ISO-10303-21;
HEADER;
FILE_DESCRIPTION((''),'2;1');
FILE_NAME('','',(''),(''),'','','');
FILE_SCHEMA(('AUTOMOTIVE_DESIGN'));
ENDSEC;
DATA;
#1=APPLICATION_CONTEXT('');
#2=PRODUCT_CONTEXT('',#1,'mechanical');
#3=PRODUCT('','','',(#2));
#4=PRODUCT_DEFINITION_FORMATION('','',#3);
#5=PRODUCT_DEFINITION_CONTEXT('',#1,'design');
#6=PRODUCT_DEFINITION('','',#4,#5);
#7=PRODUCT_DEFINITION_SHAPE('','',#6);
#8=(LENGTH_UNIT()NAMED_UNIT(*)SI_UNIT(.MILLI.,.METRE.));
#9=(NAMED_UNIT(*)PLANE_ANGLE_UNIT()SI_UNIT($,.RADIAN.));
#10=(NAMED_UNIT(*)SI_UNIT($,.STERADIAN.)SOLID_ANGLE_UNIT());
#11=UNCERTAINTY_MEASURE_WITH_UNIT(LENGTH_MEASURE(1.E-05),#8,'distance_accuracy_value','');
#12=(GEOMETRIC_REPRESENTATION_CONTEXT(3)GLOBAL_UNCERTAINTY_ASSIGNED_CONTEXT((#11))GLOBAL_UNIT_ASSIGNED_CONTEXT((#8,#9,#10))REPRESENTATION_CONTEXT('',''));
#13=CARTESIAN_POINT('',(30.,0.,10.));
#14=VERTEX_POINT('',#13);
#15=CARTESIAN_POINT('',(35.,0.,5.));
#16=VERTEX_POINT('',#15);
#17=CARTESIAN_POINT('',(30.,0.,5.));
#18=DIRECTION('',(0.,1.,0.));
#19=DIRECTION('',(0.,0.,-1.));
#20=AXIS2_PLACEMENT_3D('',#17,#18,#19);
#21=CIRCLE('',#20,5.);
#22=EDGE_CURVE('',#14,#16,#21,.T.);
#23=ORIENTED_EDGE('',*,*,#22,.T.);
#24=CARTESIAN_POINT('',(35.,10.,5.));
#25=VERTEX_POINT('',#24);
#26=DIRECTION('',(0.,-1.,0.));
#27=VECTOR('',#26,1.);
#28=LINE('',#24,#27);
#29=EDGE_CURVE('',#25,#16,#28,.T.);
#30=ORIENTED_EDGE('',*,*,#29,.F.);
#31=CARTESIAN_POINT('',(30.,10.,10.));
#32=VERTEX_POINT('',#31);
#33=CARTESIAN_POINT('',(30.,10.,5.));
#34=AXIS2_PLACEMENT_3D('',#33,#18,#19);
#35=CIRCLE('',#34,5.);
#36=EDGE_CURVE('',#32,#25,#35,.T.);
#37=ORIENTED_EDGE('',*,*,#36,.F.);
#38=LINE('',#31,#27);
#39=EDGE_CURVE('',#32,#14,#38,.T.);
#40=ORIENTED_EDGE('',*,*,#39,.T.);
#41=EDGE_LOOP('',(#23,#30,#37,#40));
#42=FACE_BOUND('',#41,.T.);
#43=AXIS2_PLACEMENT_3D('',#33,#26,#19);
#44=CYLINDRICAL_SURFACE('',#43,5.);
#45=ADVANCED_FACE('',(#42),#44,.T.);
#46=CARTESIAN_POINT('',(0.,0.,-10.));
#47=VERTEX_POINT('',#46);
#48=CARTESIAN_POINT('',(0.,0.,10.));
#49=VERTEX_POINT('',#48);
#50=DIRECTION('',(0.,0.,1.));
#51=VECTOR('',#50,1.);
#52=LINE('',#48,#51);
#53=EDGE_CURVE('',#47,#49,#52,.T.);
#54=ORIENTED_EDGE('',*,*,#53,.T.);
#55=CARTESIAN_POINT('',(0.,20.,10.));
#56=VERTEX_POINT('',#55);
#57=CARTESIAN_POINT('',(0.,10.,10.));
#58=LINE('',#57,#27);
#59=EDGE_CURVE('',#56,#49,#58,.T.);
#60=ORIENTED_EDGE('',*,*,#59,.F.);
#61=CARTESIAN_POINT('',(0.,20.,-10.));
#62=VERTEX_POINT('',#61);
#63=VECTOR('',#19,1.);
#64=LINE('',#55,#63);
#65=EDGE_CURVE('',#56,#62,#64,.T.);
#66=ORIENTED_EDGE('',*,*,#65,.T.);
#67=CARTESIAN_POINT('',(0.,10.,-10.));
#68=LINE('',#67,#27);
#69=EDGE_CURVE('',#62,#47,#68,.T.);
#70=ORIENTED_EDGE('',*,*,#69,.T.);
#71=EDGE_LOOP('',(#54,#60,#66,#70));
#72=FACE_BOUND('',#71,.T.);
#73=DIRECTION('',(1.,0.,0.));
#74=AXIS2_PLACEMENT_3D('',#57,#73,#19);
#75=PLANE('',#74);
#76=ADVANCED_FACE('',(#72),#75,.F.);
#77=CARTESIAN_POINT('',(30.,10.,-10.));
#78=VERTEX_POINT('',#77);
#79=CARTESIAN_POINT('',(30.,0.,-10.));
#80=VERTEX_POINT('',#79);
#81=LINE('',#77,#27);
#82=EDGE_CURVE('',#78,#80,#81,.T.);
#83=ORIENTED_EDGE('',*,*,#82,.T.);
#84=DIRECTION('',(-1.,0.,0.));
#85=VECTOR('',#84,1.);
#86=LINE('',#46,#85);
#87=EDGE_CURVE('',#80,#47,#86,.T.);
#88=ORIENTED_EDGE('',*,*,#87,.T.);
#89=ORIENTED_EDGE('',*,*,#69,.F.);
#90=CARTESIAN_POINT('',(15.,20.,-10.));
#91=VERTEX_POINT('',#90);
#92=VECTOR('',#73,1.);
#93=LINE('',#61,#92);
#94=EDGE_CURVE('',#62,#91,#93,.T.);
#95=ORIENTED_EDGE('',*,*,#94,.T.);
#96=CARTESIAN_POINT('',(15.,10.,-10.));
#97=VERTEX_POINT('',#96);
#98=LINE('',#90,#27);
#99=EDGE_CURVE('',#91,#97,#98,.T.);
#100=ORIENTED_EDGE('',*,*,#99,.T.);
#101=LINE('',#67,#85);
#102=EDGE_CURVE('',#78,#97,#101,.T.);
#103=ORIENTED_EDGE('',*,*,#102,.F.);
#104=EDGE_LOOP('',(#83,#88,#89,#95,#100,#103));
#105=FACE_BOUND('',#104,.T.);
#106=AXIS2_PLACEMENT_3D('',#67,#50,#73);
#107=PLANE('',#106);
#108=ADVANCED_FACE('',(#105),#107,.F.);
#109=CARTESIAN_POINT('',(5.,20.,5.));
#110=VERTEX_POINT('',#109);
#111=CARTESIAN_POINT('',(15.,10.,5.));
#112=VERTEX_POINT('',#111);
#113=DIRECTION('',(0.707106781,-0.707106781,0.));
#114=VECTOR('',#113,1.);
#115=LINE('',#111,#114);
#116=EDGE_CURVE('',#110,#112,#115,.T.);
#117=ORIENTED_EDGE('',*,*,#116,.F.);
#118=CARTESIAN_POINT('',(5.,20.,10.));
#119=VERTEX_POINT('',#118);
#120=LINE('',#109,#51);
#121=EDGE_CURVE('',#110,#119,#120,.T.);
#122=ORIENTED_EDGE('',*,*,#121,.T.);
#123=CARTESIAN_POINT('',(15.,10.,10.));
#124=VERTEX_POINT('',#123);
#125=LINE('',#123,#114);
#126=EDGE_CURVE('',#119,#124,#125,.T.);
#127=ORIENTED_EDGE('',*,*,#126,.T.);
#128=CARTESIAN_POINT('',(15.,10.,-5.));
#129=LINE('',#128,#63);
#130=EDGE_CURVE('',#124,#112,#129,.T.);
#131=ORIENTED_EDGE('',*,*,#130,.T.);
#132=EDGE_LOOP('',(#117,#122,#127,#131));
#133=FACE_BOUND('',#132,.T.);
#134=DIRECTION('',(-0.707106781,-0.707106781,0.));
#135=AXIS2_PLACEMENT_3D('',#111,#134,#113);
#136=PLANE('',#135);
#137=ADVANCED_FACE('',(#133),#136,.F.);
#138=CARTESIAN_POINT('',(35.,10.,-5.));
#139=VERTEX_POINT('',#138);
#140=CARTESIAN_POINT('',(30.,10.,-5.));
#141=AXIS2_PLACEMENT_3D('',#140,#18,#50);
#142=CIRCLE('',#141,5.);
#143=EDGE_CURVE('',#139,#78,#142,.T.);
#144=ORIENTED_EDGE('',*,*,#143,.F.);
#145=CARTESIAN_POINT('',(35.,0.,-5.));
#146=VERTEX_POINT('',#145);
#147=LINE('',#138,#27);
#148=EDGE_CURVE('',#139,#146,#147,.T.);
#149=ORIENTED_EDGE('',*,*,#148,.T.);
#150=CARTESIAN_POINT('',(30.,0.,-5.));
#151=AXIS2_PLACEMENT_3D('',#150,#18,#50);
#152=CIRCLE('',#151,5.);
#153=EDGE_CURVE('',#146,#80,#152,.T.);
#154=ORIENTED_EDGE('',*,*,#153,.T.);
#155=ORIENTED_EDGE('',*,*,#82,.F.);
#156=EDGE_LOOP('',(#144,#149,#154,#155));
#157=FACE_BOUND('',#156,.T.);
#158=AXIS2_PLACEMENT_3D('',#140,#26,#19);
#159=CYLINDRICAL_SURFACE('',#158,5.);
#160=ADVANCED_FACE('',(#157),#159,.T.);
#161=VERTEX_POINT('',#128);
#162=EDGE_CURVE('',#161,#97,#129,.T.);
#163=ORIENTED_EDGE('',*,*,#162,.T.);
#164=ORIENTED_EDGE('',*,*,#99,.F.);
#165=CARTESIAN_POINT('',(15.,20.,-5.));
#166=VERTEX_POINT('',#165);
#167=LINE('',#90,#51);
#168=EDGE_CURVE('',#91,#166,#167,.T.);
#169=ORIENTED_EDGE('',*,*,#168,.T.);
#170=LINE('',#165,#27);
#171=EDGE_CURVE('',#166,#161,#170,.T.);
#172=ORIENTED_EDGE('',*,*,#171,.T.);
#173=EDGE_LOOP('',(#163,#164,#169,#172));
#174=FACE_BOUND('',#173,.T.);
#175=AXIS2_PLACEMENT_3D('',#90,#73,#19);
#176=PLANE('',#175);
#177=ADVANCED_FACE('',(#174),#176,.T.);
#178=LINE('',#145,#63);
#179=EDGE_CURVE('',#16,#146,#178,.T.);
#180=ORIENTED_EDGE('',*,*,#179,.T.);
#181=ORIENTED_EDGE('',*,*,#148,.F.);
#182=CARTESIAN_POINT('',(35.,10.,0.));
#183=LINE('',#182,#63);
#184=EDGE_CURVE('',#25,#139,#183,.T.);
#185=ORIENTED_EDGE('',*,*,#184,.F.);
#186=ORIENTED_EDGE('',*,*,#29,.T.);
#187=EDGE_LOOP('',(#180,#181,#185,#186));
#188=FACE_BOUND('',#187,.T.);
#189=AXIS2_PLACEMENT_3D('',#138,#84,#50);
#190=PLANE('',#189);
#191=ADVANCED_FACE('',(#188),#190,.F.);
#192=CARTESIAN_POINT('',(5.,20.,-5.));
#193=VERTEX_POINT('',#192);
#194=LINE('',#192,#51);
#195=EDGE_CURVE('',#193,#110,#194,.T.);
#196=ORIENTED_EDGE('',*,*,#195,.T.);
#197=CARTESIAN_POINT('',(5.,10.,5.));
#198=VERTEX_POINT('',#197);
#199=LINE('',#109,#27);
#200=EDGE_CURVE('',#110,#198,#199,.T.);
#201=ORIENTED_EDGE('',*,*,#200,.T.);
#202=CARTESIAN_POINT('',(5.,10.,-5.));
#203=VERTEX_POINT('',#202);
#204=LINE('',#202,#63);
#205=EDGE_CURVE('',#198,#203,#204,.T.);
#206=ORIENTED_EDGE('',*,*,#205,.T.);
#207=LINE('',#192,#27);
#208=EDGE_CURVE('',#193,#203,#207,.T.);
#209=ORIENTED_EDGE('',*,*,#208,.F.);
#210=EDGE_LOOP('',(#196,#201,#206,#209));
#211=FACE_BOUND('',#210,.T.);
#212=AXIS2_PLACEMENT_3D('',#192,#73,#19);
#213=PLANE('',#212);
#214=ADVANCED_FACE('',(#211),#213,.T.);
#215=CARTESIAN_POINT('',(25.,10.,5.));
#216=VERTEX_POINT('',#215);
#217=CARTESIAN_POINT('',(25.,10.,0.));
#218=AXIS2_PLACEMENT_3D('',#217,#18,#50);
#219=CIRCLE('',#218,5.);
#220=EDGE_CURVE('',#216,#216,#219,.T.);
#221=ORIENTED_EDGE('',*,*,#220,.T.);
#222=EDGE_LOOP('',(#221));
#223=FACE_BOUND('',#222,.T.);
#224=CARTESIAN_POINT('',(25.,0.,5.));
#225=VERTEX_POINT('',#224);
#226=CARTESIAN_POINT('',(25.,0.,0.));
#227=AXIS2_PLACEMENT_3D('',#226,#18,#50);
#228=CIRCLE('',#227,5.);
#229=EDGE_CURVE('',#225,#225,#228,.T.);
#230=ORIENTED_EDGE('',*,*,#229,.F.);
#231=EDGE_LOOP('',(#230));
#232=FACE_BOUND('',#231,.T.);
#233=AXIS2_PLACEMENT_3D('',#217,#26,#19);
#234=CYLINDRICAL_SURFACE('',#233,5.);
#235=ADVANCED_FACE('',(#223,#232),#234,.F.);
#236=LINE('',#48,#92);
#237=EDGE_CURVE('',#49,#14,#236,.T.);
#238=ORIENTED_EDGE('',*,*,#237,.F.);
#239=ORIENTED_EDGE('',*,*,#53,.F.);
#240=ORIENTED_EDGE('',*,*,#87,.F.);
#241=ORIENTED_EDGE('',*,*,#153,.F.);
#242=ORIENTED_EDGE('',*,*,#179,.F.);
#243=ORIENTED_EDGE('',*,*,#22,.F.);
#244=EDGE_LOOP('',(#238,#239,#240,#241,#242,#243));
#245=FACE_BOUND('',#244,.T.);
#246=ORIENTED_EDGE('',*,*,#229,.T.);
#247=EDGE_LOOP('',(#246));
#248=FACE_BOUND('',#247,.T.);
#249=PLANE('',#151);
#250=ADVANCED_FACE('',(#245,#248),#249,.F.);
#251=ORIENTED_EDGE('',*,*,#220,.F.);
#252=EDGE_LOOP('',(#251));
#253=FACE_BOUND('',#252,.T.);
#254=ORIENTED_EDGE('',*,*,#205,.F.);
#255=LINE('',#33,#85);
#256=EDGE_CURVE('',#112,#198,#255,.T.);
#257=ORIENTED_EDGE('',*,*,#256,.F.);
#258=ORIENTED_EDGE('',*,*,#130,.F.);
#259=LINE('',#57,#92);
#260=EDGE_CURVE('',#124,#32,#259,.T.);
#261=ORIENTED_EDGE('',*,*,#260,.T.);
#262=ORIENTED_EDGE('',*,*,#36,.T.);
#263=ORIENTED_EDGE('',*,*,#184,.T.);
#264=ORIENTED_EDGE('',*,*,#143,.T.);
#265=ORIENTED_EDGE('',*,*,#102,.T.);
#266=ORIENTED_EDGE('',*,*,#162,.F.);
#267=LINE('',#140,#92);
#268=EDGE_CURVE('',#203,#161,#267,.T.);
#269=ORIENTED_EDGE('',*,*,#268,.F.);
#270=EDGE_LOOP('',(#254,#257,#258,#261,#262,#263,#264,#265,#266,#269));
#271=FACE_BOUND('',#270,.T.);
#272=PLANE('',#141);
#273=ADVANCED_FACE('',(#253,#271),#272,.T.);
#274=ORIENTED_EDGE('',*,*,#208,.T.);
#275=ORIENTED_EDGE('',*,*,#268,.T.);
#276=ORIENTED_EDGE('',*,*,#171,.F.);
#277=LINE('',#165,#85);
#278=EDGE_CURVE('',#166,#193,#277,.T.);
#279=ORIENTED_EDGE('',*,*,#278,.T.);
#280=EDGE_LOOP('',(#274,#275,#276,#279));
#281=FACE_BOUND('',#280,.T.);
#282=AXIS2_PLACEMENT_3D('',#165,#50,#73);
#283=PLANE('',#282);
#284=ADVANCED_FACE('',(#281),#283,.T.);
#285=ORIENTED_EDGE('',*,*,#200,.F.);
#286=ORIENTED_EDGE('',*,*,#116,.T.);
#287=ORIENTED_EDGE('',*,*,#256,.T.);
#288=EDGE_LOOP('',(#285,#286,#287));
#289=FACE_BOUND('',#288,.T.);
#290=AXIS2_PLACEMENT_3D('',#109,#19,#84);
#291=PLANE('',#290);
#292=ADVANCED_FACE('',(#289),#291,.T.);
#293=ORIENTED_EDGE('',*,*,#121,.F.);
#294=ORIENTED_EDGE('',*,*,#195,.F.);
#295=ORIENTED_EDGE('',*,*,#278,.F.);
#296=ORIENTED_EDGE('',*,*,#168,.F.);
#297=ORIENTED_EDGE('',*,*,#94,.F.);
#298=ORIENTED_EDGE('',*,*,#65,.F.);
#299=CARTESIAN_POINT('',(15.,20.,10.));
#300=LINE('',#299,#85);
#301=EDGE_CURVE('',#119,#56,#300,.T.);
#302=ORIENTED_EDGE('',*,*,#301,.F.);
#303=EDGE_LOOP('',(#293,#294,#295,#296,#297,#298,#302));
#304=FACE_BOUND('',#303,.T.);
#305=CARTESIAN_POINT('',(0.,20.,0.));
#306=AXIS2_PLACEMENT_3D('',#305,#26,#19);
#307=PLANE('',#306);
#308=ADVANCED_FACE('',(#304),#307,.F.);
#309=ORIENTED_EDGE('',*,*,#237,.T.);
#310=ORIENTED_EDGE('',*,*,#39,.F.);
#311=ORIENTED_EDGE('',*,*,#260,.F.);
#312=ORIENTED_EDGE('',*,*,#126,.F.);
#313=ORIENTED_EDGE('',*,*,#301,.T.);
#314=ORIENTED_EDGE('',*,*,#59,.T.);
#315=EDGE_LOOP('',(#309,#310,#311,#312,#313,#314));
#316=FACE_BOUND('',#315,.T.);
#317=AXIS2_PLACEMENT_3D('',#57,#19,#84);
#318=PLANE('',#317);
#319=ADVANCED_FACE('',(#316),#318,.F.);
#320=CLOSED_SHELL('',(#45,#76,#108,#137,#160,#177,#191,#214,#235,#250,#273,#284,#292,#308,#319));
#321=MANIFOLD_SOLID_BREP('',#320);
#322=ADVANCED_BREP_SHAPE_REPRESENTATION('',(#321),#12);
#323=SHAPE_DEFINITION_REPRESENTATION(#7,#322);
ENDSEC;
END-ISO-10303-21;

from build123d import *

# Parameters (mm, degrees)
SKETCH_1_R          = 5
EXTRUDE_1_DEPTH     = 10
EXTRUDE_2_DEPTH     = 20
CUT_EXTRUDE_1_DEPTH = 5


with BuildPart() as part:
    # 草圖1 → 填料-伸長1 (new body)
    with BuildSketch(Plane(origin=(0, 0, 0), x_dir=(1, 0, 0), z_dir=(0, 1, 0))):
        with BuildLine():
            Line((0, -10), (0, 10))
            Line((0, 10), (30, 10))
            ThreePointArc((30, 10), (33.535533906, 8.535533906), (35, 5))
            Line((35, 5), (35, 0))
            Line((35, 0), (35, -5))
            ThreePointArc((35, -5), (33.535533906, -8.535533906), (30, -10))
            Line((30, -10), (0, -10))
        make_face()
        with Locations((25, 0)):
            Circle(SKETCH_1_R, mode=Mode.SUBTRACT)
    extrude(amount=EXTRUDE_1_DEPTH)

    # 草圖4 → 填料-伸長2 (add)
    with BuildSketch(Plane(origin=(0, 0, 0), x_dir=(1, 0, 0), z_dir=(0, 1, 0))):
        Polygon((0, 0), (0, 10), (15, 10), (15, 5), (5, 5), (5, -5), (15, -5), (15, -10), (0, -10), align=None)
    extrude(amount=EXTRUDE_2_DEPTH)

    # 草圖5 → 除料-伸長1 (cut)
    with BuildSketch(Plane.XY.offset(10)):
        Polygon((15, 10), (5, 20), (15, 20), align=None)
    extrude(amount=-CUT_EXTRUDE_1_DEPTH, mode=Mode.SUBTRACT)


solid = part.part
